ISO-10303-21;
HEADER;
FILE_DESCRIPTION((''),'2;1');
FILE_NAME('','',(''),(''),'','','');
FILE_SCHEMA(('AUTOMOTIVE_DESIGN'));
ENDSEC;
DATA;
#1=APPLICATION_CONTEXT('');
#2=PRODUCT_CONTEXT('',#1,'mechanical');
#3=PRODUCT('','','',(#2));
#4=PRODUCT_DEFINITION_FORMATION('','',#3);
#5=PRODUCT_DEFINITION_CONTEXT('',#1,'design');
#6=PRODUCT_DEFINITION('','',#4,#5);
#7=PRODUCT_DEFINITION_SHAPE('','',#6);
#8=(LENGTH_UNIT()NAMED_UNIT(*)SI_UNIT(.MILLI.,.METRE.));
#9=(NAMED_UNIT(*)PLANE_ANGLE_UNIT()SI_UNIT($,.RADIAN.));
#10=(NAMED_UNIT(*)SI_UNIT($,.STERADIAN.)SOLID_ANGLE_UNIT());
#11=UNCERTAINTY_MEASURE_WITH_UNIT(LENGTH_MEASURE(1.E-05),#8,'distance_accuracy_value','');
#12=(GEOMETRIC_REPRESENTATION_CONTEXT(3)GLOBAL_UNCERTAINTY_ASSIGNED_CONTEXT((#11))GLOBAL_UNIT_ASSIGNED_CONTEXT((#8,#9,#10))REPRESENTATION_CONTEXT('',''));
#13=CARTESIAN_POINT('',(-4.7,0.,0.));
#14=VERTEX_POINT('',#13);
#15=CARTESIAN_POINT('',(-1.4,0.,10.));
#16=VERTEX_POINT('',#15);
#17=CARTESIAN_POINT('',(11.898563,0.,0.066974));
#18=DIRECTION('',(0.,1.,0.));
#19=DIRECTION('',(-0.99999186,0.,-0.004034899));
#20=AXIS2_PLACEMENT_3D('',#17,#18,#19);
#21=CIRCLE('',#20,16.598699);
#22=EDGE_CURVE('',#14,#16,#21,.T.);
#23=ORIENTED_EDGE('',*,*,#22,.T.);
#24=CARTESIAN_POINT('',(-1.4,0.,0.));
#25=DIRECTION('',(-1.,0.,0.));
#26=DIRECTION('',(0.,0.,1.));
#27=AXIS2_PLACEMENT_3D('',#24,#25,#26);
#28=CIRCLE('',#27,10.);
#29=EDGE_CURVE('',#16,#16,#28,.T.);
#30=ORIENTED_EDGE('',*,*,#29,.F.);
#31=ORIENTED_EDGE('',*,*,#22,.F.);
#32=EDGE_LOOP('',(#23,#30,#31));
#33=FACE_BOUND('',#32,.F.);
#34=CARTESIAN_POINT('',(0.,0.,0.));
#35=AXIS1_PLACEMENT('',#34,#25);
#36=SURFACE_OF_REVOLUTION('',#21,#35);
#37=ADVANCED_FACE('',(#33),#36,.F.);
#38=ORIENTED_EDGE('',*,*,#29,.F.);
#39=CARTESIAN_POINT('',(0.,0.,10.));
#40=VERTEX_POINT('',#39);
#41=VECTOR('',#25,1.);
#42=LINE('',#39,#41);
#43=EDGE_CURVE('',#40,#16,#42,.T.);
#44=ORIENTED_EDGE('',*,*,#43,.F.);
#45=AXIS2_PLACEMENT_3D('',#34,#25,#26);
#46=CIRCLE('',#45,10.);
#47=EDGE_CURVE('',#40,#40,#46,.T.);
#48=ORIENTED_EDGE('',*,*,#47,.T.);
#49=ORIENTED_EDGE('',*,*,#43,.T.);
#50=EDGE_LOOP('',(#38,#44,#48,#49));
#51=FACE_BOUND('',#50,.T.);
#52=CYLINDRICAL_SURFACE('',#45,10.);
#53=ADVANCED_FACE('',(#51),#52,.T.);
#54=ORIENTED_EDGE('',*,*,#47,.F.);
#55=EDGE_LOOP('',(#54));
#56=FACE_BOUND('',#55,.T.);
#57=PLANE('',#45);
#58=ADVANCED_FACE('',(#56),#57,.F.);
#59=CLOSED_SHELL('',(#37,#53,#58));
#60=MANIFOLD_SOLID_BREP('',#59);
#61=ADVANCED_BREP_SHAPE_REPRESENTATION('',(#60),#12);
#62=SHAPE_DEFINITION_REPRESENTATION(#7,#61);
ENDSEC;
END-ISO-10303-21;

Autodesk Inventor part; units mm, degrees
ref_plane "YZ Plane" through (0, 0, 0) normal (1, 0, 0) x (0, 1, 0)
ref_plane "XZ Plane" through (0, 0, 0) normal (0, 1, 0) x (-1, 0, 0)
ref_plane "XY Plane" through (0, 0, 0) normal (0, 0, 1) x (1, 0, 0)
sketch "Sketch1" plane through (0, 0, 0) normal (0, 1, 0) x (-1, 0, 0)
  line L0 (0, 0) -> (0, 10)
  line L1 (0, 10) -> (1.4, 10)
  line L2 (0, 0) -> (4.7, 0)
  line L3 (0, 0) -> (4.7, 0) construction
  arc A0 (4.7, 0) -> (1.4, 10) centre (-11.8984, 0.067) ccw
  line L4 (4.7, 0) -> (0, 0)
  line L5 (0, 0) -> (0, 10)
  line L6 (1.4, 10) -> (0, 10)
  dimension "d0" = 10
  dimension "d1" = 1.4
  dimension "d2" = 90
  dimension "d3" = 4.7
  dimension "d4" = 0
revolve "Revolution1" add sketch "Sketch1" angle 360 about axis through (0, 0, 0) along (-1, 0, 0)
properties part number "30_CUBE_openSIM_Beamexpander_Lens_20mm_Edmundoptics"
